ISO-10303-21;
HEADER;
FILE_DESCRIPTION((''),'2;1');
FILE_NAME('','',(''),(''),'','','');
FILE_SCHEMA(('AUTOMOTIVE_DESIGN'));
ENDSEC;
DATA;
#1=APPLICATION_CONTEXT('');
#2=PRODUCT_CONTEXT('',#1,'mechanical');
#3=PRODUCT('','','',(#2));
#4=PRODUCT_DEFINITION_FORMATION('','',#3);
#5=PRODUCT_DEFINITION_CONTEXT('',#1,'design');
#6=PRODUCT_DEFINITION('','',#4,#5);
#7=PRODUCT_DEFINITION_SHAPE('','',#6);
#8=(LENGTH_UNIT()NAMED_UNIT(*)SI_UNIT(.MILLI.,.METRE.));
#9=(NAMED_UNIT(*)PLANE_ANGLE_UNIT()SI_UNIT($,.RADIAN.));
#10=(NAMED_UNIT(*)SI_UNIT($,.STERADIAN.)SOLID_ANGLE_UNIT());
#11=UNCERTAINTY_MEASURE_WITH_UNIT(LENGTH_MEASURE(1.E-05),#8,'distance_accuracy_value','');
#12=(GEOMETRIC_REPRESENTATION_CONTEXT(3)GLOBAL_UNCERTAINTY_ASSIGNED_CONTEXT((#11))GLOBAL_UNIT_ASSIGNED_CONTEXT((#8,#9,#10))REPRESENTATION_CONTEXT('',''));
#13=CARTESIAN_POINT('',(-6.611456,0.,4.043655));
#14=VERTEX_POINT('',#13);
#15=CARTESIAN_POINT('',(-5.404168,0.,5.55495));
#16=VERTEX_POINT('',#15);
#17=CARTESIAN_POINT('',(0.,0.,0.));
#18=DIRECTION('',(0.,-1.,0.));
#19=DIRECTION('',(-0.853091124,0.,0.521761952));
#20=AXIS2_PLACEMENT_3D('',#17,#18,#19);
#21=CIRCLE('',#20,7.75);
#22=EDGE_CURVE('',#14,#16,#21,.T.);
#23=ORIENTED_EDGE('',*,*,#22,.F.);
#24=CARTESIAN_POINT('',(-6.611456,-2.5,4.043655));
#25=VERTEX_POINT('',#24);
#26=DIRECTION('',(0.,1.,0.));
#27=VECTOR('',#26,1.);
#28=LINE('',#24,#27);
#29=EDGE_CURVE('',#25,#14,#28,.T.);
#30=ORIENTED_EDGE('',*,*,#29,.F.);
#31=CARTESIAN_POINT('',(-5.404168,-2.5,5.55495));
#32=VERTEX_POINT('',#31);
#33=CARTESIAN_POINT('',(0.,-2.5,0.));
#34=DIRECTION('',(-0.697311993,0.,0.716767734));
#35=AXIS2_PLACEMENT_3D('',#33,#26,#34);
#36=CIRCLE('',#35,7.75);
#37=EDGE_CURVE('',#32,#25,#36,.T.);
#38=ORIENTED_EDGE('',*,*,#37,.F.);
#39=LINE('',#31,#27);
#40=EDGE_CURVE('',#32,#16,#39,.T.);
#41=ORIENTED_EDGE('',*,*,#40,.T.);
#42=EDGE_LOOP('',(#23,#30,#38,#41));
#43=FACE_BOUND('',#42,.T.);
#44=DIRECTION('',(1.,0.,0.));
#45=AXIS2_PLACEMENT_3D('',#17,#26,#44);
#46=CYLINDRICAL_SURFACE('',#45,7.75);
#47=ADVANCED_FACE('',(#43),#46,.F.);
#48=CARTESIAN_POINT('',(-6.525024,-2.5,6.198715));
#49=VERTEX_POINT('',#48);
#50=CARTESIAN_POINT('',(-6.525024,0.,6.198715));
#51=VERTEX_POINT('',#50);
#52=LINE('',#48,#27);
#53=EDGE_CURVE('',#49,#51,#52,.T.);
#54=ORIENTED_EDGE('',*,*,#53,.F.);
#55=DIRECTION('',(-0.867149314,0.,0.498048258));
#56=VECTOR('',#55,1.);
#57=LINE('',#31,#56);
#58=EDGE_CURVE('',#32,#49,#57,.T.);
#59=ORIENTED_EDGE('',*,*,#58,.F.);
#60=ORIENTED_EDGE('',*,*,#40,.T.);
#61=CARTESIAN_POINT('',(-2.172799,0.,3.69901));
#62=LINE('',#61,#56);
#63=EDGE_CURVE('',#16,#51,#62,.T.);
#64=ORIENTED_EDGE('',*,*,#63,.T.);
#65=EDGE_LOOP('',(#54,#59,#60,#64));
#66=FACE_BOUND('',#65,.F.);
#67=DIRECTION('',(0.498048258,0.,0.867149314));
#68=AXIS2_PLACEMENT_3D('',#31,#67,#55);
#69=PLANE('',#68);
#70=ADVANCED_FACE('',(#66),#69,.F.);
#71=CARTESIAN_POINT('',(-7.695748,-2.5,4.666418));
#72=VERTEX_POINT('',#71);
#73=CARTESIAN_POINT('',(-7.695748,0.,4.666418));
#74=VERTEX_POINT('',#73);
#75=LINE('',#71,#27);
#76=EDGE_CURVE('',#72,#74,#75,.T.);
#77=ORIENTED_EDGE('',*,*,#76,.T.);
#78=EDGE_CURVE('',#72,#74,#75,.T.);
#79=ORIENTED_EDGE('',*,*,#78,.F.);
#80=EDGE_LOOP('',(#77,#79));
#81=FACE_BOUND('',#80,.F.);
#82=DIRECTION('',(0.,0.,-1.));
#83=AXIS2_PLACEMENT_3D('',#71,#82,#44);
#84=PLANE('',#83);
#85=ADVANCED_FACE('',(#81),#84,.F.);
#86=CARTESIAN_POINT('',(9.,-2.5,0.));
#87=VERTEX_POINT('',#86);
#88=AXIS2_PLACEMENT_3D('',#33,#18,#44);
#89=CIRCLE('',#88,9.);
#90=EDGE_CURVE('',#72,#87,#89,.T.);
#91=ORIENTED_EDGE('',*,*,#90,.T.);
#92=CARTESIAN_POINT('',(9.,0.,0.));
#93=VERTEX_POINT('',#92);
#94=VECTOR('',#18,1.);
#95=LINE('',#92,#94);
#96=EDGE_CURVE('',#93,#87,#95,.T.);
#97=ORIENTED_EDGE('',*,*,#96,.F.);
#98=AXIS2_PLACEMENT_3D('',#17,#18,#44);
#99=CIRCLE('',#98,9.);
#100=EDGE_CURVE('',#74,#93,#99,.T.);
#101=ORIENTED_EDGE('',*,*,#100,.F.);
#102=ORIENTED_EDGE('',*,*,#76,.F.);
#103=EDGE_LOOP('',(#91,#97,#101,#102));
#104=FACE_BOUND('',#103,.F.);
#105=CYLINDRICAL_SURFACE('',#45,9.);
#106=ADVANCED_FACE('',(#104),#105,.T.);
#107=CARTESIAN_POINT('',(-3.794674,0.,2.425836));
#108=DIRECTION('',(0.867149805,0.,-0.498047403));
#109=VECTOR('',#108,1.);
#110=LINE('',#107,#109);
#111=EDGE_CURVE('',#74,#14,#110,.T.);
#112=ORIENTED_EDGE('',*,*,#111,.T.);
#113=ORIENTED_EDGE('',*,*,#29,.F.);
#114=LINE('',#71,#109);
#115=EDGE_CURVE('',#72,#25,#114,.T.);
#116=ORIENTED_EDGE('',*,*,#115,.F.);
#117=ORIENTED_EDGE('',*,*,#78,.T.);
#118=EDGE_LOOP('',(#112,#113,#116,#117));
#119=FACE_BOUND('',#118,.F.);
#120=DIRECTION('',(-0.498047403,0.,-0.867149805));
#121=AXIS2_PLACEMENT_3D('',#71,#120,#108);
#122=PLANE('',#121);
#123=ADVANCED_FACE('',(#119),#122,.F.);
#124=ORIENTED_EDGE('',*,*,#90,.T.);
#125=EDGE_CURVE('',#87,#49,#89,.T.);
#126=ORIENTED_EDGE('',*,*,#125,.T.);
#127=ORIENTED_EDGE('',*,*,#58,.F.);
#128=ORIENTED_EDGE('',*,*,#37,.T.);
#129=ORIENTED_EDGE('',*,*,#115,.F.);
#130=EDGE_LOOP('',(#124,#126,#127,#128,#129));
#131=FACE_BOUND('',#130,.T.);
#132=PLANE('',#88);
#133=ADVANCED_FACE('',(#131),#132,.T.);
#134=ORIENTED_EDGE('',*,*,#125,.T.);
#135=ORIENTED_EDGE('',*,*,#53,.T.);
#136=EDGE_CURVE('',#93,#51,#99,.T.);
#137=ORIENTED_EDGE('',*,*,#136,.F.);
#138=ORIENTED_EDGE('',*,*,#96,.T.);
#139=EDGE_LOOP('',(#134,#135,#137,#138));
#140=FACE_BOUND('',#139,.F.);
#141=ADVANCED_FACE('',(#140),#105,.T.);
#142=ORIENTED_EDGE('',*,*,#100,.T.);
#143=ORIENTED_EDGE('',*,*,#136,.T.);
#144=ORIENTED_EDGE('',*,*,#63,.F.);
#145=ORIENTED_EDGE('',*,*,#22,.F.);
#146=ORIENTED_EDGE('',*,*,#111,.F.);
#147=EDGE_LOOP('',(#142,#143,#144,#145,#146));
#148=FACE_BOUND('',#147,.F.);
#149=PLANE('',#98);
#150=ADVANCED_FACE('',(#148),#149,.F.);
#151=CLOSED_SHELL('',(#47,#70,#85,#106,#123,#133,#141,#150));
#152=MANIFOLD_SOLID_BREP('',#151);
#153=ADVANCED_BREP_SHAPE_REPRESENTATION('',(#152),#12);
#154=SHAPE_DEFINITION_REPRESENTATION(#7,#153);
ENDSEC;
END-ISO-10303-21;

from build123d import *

# Parameters (mm, degrees)
F0_R     = 9
F0_R_2   = 7.75
F1_DEPTH = 2.5
F3_DEPTH = 25
F4_W     = 1.797143
F4_H     = 0.470712
F5_DEPTH = 25
F6_W     = 1.035781
F6_H     = 1.391272
F7_DEPTH = 25


with BuildPart() as f1:
    # F0 (on Front) → F1 (new body)
    with BuildSketch(Plane.XZ):
        Circle(F0_R)
        Circle(F0_R_2, mode=Mode.SUBTRACT)
    extrude(amount=F1_DEPTH)

    # F2 (on face) → F3 (cut)
    with BuildSketch(Plane.XZ.offset(2.5)):
        Polygon((-6.525024, 6.198715), (-7.695748, 4.666418), (-6.611456, 4.043655), (-5.404168, 5.55495), align=None)
    extrude(amount=-F3_DEPTH, mode=Mode.SUBTRACT)

    # F4 (on face) → F5 (cut)
    with BuildSketch(Plane.XZ.offset(2.5)):
        with Locations((-7.423595, 5.963359)):
            Rectangle(F4_W, F4_H)
    extrude(amount=-F5_DEPTH, mode=Mode.SUBTRACT)

    # F6 (on face) → F7 (cut)
    with BuildSketch(Plane.XZ.offset(2.5)):
        with Locations((-7.177858, 5.362054)):
            Rectangle(F6_W, F6_H)
    extrude(amount=-F7_DEPTH, mode=Mode.SUBTRACT)


solid = f1.part
